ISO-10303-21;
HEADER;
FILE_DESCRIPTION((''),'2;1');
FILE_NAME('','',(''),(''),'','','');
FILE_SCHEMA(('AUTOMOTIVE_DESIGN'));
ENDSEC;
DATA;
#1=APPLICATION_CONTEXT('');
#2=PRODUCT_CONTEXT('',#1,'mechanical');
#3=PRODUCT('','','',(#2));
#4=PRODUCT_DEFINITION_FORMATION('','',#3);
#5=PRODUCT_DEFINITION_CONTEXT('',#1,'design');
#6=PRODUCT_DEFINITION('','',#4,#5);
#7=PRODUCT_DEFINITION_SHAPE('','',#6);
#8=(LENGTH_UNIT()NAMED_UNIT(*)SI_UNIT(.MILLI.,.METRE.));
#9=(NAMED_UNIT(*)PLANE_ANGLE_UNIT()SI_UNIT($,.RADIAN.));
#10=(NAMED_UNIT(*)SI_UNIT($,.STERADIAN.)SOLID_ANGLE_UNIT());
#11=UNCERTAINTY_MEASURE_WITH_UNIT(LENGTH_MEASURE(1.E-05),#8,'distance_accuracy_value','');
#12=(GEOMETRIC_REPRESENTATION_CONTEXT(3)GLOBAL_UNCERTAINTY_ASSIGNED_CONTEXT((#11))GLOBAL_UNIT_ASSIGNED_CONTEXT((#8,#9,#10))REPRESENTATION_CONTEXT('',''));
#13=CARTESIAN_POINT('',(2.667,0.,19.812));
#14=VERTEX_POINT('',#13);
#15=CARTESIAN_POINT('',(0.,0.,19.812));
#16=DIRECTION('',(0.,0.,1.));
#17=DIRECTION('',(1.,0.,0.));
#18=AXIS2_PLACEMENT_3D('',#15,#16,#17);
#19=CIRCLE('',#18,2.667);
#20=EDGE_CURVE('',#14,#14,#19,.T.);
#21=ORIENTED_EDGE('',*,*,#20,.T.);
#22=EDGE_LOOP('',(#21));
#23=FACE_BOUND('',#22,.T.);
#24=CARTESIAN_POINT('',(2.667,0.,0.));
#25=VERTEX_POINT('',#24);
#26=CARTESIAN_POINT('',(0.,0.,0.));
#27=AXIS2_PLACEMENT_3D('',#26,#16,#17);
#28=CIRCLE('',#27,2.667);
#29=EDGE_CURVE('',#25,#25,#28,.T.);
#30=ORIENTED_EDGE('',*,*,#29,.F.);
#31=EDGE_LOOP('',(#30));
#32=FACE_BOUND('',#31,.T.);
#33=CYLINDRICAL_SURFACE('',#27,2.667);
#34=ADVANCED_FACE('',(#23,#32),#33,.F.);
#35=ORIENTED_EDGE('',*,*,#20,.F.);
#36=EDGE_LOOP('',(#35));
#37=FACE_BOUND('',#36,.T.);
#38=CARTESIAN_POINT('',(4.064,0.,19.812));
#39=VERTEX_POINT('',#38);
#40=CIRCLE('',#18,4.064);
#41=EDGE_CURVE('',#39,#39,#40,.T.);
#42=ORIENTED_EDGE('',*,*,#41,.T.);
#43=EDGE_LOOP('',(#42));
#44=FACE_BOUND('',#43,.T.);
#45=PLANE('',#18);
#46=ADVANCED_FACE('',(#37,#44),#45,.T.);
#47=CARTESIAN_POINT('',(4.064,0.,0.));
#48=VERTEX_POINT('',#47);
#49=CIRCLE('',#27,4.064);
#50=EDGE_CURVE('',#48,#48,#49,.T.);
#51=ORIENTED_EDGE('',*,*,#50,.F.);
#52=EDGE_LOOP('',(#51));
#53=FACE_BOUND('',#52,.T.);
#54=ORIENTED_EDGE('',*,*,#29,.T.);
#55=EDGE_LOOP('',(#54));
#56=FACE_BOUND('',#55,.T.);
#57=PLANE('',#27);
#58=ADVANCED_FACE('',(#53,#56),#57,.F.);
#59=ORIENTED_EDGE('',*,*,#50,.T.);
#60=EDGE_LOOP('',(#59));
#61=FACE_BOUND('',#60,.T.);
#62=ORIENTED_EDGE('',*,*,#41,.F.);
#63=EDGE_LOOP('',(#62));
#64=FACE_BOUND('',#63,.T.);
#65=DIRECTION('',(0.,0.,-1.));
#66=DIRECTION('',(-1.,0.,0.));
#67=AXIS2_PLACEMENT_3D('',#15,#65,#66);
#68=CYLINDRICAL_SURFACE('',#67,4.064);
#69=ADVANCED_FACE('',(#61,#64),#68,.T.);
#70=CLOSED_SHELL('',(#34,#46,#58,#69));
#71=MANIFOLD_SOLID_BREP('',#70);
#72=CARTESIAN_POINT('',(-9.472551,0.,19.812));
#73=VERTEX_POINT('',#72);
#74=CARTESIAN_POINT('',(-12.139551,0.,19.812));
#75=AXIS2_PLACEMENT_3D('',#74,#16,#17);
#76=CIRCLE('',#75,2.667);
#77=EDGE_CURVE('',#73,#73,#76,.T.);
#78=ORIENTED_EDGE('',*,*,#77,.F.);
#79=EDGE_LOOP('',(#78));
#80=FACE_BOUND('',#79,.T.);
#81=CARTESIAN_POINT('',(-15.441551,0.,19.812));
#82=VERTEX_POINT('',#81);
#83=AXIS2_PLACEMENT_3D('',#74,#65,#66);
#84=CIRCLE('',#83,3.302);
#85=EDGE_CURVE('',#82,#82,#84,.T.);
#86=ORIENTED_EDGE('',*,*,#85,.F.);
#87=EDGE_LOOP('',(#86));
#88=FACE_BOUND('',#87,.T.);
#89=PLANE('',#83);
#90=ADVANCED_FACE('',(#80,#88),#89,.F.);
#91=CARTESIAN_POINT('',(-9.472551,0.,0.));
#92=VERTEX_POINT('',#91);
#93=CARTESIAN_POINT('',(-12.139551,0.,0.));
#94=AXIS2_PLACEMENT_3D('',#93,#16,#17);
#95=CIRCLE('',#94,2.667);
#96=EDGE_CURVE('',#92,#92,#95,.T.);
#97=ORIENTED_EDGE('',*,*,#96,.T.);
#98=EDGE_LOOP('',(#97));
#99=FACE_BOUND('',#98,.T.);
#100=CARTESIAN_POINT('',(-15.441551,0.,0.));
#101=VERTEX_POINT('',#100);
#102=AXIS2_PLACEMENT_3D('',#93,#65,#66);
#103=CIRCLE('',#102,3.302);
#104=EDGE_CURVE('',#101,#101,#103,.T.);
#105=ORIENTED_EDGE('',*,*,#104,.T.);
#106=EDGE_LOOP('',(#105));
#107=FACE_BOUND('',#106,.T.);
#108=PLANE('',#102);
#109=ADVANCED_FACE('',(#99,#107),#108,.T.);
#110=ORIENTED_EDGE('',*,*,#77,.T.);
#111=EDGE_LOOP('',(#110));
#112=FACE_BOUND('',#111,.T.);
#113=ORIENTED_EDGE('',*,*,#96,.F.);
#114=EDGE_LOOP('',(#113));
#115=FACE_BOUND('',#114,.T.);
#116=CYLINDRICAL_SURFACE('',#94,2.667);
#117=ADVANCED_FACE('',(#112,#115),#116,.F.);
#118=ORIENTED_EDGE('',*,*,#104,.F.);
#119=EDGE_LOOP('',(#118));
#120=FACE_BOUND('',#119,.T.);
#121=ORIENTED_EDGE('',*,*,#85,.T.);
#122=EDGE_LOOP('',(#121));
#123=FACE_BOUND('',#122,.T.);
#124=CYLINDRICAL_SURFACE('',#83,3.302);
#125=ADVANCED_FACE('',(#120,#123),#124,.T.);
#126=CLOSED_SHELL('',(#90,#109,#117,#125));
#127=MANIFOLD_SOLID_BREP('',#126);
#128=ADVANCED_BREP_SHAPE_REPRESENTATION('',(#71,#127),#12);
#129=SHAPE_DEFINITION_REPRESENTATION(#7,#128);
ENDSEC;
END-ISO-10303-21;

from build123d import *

# Parameters (mm, degrees)
SKETCH1_R           = 4.064
BOSS_EXTRUDE1_DEPTH = 19.812
SKETCH2_R           = 3.302
BOSS_EXTRUDE2_DEPTH = 19.812
SKETCH3_R           = 2.667
CUT_EXTRUDE1_DEPTH  = 19.812
SKETCH5_R           = 2.667
CUT_EXTRUDE2_DEPTH  = 19.812


with BuildPart() as part:
    # Sketch1 → Boss-Extrude1 (new body)
    with BuildSketch(Plane.XY):
        Circle(SKETCH1_R)
    extrude(amount=BOSS_EXTRUDE1_DEPTH)

    # Sketch3 → Cut-Extrude1 (cut)
    with BuildSketch(Plane.XY.offset(19.812)):
        Circle(SKETCH3_R)
    extrude(amount=-CUT_EXTRUDE1_DEPTH, mode=Mode.SUBTRACT)


with BuildPart() as body_2:
    # Sketch2 → Boss-Extrude2 (new body)
    with BuildSketch(Plane(origin=(0, 0, 0), x_dir=(-1, 0, 0), z_dir=(0, 0, -1))):
        with Locations((12.139551254, 0)):
            Circle(SKETCH2_R)
    extrude(amount=-BOSS_EXTRUDE2_DEPTH)

    # Sketch5 → Cut-Extrude2 (cut)
    with BuildSketch(Plane.XY.offset(19.812)):
        with Locations((-12.139551254, 0)):
            Circle(SKETCH5_R)
    extrude(amount=-CUT_EXTRUDE2_DEPTH, mode=Mode.SUBTRACT)


solid = Compound([part.part, body_2.part])
